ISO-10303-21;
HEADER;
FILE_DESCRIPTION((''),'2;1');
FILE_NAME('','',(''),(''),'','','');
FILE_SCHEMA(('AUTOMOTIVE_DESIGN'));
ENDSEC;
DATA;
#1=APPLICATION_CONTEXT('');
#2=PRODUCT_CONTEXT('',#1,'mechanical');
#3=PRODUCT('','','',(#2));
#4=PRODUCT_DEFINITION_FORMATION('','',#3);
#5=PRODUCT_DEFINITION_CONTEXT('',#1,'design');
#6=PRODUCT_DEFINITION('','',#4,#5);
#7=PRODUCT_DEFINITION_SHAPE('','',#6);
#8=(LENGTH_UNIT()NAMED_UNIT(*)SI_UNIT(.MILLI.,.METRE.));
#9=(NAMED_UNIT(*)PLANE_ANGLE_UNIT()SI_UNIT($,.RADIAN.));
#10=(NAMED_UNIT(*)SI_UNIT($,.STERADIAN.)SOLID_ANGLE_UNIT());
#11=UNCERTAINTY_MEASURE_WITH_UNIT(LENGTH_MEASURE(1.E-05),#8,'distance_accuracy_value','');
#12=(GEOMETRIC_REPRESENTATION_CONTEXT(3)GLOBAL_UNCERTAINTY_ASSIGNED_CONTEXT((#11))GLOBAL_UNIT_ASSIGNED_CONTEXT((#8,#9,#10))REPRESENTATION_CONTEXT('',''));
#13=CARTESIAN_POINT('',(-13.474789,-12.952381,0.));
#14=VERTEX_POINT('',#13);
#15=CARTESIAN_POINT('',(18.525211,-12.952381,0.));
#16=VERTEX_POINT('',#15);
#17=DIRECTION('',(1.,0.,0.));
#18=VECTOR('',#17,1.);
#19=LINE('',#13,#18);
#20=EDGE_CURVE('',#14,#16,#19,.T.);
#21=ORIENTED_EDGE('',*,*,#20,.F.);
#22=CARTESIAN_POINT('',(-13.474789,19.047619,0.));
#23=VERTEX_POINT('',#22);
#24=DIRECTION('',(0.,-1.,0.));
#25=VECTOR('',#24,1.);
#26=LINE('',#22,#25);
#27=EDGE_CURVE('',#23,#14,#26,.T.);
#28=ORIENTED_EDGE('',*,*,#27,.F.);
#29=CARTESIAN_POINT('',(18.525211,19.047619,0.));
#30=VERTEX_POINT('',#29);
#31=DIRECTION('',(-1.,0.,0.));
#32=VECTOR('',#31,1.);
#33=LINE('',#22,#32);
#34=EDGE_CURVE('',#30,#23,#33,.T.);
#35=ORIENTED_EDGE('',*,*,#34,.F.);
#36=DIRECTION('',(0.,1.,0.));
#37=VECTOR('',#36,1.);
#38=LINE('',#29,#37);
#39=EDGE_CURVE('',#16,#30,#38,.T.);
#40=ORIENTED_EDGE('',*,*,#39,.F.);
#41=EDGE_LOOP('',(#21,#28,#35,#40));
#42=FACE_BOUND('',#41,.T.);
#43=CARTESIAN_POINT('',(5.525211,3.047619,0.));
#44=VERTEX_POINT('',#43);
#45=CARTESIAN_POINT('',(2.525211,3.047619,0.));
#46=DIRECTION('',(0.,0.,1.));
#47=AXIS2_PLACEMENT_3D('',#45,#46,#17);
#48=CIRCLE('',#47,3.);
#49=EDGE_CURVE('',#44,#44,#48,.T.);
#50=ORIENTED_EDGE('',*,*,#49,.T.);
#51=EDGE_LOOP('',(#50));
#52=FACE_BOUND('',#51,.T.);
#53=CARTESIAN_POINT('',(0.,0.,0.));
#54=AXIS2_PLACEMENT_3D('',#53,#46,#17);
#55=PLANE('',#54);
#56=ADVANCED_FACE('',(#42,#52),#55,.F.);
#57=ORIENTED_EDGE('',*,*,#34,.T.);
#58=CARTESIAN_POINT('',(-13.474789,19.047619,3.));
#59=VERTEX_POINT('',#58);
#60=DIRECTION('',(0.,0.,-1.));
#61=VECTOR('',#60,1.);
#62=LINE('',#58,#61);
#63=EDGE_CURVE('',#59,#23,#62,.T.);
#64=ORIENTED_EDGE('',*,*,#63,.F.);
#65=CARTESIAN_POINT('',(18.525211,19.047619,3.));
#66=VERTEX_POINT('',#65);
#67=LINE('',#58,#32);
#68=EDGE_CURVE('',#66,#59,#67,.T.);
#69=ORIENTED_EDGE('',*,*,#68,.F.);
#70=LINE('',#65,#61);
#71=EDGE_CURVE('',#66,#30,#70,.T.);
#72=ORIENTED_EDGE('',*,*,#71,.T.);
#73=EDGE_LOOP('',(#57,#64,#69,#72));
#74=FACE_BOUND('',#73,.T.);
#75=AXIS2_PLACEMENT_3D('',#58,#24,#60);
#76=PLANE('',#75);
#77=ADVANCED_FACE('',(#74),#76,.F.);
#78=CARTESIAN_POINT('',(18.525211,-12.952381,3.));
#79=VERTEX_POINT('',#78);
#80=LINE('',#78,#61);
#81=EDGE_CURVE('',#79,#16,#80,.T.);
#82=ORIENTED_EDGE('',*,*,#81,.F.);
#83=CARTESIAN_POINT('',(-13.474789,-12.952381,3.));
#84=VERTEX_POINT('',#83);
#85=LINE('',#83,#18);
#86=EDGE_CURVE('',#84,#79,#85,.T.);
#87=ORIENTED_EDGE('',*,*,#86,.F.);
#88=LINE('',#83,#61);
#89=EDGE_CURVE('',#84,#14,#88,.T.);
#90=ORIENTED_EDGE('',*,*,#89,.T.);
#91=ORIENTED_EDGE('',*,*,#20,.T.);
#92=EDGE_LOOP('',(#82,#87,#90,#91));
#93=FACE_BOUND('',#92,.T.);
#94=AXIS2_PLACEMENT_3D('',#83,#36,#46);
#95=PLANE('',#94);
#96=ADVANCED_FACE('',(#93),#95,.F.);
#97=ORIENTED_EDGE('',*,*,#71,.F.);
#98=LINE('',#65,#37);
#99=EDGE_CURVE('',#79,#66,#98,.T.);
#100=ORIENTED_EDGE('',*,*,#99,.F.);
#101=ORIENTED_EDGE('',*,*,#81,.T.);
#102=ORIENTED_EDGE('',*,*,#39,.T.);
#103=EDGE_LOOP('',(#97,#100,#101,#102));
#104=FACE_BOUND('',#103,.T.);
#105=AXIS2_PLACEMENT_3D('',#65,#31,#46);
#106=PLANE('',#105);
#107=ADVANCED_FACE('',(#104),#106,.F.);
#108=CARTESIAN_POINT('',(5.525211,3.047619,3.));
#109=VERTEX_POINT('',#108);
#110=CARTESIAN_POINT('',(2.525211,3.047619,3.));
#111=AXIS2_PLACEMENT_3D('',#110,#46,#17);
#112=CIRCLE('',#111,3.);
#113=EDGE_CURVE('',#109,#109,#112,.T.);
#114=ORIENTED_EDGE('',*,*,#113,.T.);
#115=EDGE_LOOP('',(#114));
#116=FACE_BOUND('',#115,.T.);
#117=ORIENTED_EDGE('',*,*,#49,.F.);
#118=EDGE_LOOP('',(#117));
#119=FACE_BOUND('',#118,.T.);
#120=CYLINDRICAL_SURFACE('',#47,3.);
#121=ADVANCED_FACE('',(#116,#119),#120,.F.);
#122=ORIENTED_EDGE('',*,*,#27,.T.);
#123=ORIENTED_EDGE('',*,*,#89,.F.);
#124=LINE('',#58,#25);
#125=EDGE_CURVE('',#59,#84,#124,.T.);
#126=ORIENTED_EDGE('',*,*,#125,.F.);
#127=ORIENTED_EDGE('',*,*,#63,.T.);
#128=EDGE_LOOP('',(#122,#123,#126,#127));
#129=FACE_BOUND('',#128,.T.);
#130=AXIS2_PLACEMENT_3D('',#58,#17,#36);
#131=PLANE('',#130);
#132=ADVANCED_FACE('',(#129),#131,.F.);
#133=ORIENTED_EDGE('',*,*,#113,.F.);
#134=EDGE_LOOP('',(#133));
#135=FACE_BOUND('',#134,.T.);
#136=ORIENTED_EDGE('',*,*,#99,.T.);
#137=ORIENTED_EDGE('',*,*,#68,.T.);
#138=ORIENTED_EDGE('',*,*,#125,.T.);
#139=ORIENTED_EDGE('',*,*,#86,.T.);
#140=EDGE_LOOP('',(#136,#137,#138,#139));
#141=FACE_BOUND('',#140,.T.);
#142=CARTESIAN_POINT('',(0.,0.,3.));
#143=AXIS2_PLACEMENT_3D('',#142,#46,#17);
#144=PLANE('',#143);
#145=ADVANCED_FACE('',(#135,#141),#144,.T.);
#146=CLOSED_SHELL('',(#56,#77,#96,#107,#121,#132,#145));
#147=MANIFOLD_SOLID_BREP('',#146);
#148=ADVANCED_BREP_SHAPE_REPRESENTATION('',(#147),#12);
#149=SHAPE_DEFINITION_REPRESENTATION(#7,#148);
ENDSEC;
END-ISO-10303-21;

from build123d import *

# Parameters (mm, degrees)
ESQUISSE1_W             = 32
ESQUISSE1_H             = 32
BOSS_EXTRU_1_DEPTH      = 3
ESQUISSE2_R             = 3
ENL_V_MAT_EXTRU_1_DEPTH = 27.739395031


with BuildPart() as part:
    # Esquisse1 → Boss.-Extru.1 (new body)
    with BuildSketch(Plane.XY):
        with Locations((2.525211342, 3.047619048)):
            Rectangle(ESQUISSE1_W, ESQUISSE1_H)
    extrude(amount=BOSS_EXTRU_1_DEPTH)

    # Esquisse2 → Enlèv. mat.-Extru.1 (cut, through all)
    with BuildSketch(Plane.XY.offset(3)):
        with Locations((2.525211342, 3.047619048)):
            Circle(ESQUISSE2_R)
    extrude(amount=-ENL_V_MAT_EXTRU_1_DEPTH, mode=Mode.SUBTRACT)


solid = part.part
